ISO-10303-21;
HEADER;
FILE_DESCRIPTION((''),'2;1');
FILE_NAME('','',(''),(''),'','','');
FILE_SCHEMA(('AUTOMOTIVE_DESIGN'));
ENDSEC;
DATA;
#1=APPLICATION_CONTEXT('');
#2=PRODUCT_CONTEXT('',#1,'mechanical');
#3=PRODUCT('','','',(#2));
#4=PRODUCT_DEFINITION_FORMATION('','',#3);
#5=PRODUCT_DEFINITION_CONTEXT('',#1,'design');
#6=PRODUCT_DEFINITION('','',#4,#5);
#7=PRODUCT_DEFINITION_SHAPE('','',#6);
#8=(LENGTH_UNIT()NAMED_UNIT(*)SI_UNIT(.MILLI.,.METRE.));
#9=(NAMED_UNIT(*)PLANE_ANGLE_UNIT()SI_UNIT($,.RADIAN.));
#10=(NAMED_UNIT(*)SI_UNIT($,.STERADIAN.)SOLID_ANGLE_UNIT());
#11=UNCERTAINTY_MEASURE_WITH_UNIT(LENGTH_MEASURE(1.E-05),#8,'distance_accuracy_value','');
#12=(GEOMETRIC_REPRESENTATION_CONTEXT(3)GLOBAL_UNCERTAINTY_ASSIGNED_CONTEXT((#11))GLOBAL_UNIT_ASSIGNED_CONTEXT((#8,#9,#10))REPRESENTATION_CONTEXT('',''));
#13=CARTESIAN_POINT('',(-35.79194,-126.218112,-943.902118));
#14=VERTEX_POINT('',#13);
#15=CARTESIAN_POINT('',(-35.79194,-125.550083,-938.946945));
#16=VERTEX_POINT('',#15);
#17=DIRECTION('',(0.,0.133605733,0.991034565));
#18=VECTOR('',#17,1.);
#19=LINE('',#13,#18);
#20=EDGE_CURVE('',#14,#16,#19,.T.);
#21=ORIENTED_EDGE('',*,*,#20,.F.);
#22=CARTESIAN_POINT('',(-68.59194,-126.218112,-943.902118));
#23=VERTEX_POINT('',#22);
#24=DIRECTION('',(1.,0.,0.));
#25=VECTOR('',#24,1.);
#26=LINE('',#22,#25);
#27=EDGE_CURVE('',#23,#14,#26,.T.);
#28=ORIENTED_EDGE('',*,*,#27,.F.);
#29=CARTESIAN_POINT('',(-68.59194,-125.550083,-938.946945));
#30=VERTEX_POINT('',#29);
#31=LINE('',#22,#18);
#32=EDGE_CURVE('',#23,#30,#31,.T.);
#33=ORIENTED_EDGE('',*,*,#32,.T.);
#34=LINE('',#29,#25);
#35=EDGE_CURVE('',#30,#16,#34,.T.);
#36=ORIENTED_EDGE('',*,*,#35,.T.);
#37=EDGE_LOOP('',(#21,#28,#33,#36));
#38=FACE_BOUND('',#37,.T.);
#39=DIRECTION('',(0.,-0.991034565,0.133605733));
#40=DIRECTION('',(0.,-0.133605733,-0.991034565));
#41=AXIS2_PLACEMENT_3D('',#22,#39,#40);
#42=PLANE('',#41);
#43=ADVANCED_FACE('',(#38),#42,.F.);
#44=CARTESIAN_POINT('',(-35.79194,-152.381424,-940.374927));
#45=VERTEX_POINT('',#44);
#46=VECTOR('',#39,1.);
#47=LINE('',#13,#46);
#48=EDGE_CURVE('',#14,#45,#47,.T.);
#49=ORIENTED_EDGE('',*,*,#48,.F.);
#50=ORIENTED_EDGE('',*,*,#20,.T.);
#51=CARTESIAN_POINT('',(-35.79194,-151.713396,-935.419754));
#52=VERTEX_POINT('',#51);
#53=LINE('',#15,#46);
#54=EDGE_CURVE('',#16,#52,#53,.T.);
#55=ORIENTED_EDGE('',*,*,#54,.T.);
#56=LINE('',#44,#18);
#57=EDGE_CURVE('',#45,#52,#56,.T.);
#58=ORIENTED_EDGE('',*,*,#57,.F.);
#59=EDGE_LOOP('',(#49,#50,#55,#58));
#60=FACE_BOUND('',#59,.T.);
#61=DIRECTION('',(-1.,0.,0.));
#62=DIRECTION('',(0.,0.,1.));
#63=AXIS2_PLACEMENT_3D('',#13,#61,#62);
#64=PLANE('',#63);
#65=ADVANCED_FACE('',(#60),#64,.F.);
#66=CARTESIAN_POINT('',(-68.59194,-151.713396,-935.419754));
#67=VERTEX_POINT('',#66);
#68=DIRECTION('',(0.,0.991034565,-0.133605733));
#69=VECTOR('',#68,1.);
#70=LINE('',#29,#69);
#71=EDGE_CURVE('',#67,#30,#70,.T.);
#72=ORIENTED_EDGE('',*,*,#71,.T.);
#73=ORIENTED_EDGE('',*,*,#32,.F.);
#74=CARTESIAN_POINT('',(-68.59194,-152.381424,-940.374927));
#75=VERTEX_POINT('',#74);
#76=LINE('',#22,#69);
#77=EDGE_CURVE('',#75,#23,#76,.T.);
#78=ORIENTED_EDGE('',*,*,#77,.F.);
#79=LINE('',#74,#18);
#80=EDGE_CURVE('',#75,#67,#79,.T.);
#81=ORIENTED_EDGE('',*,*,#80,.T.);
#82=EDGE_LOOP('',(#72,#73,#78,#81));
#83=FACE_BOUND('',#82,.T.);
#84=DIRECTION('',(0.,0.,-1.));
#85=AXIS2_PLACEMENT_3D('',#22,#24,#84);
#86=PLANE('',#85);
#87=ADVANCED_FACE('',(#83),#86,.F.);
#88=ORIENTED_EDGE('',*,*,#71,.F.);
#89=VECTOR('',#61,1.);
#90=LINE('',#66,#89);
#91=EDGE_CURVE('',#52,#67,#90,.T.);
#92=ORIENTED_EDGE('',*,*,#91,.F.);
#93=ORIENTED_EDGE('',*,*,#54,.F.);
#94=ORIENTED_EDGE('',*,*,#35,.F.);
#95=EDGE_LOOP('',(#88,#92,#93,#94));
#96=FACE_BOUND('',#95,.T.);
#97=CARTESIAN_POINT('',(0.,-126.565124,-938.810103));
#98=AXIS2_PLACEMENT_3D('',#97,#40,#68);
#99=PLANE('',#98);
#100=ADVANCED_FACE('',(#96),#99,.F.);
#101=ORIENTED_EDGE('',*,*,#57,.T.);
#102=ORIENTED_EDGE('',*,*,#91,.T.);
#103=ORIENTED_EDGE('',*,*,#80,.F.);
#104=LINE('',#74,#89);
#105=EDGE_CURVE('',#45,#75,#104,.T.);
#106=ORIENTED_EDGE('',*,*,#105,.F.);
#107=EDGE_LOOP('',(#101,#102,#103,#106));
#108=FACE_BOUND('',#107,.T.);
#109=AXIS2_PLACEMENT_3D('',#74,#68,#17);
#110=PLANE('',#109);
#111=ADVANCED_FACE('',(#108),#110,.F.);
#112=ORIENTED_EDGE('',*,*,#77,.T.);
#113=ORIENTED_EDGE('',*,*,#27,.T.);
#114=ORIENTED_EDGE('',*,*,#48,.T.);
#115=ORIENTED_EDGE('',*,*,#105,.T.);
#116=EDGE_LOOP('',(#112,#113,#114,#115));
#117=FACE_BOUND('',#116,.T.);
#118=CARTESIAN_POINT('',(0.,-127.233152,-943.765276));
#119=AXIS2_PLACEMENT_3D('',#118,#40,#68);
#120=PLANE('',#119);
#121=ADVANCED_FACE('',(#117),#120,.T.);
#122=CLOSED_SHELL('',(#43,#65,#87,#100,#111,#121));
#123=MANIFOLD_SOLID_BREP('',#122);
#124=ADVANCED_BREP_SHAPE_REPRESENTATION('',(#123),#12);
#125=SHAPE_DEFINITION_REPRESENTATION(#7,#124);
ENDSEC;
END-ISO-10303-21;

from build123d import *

# Parameters (mm, degrees)
SKETCH2_W           = 32.8
SKETCH2_H           = 26.4
BOSS_EXTRUDE1_DEPTH = 5
SKETCH3_R           = 2
CUT_EXTRUDE1_DEPTH  = 5


with BuildPart() as part:
    # Sketch2 → Boss-Extrude1 (new body)
    with BuildSketch(Plane(origin=(0, -126.565123663, -938.810103229), x_dir=(1, 0, 0), z_dir=(0, -0.133605733, -0.991034565))):
        with Locations((-52.191940296, 12.175776809)):
            Rectangle(SKETCH2_W, SKETCH2_H)
    extrude(amount=BOSS_EXTRUDE1_DEPTH)

    # Sketch3 → Cut-Extrude1 (cut)
    with BuildSketch(Plane(origin=(0, -127.23315233, -943.765276051), x_dir=(1, 0, 0), z_dir=(0, -0.133605733, -0.991034565))):
        with Locations((-56.791940296, -123.221368854)):
            Circle(SKETCH3_R)
        with Locations((-56.791940296, -107.721368854)):
            Circle(SKETCH3_R)
        with Locations((-42.791940296, -123.221368854)):
            Circle(SKETCH3_R)
        with Locations((-42.791940296, -107.721368854)):
            Circle(SKETCH3_R)
    extrude(amount=-CUT_EXTRUDE1_DEPTH, mode=Mode.SUBTRACT)


solid = part.part
